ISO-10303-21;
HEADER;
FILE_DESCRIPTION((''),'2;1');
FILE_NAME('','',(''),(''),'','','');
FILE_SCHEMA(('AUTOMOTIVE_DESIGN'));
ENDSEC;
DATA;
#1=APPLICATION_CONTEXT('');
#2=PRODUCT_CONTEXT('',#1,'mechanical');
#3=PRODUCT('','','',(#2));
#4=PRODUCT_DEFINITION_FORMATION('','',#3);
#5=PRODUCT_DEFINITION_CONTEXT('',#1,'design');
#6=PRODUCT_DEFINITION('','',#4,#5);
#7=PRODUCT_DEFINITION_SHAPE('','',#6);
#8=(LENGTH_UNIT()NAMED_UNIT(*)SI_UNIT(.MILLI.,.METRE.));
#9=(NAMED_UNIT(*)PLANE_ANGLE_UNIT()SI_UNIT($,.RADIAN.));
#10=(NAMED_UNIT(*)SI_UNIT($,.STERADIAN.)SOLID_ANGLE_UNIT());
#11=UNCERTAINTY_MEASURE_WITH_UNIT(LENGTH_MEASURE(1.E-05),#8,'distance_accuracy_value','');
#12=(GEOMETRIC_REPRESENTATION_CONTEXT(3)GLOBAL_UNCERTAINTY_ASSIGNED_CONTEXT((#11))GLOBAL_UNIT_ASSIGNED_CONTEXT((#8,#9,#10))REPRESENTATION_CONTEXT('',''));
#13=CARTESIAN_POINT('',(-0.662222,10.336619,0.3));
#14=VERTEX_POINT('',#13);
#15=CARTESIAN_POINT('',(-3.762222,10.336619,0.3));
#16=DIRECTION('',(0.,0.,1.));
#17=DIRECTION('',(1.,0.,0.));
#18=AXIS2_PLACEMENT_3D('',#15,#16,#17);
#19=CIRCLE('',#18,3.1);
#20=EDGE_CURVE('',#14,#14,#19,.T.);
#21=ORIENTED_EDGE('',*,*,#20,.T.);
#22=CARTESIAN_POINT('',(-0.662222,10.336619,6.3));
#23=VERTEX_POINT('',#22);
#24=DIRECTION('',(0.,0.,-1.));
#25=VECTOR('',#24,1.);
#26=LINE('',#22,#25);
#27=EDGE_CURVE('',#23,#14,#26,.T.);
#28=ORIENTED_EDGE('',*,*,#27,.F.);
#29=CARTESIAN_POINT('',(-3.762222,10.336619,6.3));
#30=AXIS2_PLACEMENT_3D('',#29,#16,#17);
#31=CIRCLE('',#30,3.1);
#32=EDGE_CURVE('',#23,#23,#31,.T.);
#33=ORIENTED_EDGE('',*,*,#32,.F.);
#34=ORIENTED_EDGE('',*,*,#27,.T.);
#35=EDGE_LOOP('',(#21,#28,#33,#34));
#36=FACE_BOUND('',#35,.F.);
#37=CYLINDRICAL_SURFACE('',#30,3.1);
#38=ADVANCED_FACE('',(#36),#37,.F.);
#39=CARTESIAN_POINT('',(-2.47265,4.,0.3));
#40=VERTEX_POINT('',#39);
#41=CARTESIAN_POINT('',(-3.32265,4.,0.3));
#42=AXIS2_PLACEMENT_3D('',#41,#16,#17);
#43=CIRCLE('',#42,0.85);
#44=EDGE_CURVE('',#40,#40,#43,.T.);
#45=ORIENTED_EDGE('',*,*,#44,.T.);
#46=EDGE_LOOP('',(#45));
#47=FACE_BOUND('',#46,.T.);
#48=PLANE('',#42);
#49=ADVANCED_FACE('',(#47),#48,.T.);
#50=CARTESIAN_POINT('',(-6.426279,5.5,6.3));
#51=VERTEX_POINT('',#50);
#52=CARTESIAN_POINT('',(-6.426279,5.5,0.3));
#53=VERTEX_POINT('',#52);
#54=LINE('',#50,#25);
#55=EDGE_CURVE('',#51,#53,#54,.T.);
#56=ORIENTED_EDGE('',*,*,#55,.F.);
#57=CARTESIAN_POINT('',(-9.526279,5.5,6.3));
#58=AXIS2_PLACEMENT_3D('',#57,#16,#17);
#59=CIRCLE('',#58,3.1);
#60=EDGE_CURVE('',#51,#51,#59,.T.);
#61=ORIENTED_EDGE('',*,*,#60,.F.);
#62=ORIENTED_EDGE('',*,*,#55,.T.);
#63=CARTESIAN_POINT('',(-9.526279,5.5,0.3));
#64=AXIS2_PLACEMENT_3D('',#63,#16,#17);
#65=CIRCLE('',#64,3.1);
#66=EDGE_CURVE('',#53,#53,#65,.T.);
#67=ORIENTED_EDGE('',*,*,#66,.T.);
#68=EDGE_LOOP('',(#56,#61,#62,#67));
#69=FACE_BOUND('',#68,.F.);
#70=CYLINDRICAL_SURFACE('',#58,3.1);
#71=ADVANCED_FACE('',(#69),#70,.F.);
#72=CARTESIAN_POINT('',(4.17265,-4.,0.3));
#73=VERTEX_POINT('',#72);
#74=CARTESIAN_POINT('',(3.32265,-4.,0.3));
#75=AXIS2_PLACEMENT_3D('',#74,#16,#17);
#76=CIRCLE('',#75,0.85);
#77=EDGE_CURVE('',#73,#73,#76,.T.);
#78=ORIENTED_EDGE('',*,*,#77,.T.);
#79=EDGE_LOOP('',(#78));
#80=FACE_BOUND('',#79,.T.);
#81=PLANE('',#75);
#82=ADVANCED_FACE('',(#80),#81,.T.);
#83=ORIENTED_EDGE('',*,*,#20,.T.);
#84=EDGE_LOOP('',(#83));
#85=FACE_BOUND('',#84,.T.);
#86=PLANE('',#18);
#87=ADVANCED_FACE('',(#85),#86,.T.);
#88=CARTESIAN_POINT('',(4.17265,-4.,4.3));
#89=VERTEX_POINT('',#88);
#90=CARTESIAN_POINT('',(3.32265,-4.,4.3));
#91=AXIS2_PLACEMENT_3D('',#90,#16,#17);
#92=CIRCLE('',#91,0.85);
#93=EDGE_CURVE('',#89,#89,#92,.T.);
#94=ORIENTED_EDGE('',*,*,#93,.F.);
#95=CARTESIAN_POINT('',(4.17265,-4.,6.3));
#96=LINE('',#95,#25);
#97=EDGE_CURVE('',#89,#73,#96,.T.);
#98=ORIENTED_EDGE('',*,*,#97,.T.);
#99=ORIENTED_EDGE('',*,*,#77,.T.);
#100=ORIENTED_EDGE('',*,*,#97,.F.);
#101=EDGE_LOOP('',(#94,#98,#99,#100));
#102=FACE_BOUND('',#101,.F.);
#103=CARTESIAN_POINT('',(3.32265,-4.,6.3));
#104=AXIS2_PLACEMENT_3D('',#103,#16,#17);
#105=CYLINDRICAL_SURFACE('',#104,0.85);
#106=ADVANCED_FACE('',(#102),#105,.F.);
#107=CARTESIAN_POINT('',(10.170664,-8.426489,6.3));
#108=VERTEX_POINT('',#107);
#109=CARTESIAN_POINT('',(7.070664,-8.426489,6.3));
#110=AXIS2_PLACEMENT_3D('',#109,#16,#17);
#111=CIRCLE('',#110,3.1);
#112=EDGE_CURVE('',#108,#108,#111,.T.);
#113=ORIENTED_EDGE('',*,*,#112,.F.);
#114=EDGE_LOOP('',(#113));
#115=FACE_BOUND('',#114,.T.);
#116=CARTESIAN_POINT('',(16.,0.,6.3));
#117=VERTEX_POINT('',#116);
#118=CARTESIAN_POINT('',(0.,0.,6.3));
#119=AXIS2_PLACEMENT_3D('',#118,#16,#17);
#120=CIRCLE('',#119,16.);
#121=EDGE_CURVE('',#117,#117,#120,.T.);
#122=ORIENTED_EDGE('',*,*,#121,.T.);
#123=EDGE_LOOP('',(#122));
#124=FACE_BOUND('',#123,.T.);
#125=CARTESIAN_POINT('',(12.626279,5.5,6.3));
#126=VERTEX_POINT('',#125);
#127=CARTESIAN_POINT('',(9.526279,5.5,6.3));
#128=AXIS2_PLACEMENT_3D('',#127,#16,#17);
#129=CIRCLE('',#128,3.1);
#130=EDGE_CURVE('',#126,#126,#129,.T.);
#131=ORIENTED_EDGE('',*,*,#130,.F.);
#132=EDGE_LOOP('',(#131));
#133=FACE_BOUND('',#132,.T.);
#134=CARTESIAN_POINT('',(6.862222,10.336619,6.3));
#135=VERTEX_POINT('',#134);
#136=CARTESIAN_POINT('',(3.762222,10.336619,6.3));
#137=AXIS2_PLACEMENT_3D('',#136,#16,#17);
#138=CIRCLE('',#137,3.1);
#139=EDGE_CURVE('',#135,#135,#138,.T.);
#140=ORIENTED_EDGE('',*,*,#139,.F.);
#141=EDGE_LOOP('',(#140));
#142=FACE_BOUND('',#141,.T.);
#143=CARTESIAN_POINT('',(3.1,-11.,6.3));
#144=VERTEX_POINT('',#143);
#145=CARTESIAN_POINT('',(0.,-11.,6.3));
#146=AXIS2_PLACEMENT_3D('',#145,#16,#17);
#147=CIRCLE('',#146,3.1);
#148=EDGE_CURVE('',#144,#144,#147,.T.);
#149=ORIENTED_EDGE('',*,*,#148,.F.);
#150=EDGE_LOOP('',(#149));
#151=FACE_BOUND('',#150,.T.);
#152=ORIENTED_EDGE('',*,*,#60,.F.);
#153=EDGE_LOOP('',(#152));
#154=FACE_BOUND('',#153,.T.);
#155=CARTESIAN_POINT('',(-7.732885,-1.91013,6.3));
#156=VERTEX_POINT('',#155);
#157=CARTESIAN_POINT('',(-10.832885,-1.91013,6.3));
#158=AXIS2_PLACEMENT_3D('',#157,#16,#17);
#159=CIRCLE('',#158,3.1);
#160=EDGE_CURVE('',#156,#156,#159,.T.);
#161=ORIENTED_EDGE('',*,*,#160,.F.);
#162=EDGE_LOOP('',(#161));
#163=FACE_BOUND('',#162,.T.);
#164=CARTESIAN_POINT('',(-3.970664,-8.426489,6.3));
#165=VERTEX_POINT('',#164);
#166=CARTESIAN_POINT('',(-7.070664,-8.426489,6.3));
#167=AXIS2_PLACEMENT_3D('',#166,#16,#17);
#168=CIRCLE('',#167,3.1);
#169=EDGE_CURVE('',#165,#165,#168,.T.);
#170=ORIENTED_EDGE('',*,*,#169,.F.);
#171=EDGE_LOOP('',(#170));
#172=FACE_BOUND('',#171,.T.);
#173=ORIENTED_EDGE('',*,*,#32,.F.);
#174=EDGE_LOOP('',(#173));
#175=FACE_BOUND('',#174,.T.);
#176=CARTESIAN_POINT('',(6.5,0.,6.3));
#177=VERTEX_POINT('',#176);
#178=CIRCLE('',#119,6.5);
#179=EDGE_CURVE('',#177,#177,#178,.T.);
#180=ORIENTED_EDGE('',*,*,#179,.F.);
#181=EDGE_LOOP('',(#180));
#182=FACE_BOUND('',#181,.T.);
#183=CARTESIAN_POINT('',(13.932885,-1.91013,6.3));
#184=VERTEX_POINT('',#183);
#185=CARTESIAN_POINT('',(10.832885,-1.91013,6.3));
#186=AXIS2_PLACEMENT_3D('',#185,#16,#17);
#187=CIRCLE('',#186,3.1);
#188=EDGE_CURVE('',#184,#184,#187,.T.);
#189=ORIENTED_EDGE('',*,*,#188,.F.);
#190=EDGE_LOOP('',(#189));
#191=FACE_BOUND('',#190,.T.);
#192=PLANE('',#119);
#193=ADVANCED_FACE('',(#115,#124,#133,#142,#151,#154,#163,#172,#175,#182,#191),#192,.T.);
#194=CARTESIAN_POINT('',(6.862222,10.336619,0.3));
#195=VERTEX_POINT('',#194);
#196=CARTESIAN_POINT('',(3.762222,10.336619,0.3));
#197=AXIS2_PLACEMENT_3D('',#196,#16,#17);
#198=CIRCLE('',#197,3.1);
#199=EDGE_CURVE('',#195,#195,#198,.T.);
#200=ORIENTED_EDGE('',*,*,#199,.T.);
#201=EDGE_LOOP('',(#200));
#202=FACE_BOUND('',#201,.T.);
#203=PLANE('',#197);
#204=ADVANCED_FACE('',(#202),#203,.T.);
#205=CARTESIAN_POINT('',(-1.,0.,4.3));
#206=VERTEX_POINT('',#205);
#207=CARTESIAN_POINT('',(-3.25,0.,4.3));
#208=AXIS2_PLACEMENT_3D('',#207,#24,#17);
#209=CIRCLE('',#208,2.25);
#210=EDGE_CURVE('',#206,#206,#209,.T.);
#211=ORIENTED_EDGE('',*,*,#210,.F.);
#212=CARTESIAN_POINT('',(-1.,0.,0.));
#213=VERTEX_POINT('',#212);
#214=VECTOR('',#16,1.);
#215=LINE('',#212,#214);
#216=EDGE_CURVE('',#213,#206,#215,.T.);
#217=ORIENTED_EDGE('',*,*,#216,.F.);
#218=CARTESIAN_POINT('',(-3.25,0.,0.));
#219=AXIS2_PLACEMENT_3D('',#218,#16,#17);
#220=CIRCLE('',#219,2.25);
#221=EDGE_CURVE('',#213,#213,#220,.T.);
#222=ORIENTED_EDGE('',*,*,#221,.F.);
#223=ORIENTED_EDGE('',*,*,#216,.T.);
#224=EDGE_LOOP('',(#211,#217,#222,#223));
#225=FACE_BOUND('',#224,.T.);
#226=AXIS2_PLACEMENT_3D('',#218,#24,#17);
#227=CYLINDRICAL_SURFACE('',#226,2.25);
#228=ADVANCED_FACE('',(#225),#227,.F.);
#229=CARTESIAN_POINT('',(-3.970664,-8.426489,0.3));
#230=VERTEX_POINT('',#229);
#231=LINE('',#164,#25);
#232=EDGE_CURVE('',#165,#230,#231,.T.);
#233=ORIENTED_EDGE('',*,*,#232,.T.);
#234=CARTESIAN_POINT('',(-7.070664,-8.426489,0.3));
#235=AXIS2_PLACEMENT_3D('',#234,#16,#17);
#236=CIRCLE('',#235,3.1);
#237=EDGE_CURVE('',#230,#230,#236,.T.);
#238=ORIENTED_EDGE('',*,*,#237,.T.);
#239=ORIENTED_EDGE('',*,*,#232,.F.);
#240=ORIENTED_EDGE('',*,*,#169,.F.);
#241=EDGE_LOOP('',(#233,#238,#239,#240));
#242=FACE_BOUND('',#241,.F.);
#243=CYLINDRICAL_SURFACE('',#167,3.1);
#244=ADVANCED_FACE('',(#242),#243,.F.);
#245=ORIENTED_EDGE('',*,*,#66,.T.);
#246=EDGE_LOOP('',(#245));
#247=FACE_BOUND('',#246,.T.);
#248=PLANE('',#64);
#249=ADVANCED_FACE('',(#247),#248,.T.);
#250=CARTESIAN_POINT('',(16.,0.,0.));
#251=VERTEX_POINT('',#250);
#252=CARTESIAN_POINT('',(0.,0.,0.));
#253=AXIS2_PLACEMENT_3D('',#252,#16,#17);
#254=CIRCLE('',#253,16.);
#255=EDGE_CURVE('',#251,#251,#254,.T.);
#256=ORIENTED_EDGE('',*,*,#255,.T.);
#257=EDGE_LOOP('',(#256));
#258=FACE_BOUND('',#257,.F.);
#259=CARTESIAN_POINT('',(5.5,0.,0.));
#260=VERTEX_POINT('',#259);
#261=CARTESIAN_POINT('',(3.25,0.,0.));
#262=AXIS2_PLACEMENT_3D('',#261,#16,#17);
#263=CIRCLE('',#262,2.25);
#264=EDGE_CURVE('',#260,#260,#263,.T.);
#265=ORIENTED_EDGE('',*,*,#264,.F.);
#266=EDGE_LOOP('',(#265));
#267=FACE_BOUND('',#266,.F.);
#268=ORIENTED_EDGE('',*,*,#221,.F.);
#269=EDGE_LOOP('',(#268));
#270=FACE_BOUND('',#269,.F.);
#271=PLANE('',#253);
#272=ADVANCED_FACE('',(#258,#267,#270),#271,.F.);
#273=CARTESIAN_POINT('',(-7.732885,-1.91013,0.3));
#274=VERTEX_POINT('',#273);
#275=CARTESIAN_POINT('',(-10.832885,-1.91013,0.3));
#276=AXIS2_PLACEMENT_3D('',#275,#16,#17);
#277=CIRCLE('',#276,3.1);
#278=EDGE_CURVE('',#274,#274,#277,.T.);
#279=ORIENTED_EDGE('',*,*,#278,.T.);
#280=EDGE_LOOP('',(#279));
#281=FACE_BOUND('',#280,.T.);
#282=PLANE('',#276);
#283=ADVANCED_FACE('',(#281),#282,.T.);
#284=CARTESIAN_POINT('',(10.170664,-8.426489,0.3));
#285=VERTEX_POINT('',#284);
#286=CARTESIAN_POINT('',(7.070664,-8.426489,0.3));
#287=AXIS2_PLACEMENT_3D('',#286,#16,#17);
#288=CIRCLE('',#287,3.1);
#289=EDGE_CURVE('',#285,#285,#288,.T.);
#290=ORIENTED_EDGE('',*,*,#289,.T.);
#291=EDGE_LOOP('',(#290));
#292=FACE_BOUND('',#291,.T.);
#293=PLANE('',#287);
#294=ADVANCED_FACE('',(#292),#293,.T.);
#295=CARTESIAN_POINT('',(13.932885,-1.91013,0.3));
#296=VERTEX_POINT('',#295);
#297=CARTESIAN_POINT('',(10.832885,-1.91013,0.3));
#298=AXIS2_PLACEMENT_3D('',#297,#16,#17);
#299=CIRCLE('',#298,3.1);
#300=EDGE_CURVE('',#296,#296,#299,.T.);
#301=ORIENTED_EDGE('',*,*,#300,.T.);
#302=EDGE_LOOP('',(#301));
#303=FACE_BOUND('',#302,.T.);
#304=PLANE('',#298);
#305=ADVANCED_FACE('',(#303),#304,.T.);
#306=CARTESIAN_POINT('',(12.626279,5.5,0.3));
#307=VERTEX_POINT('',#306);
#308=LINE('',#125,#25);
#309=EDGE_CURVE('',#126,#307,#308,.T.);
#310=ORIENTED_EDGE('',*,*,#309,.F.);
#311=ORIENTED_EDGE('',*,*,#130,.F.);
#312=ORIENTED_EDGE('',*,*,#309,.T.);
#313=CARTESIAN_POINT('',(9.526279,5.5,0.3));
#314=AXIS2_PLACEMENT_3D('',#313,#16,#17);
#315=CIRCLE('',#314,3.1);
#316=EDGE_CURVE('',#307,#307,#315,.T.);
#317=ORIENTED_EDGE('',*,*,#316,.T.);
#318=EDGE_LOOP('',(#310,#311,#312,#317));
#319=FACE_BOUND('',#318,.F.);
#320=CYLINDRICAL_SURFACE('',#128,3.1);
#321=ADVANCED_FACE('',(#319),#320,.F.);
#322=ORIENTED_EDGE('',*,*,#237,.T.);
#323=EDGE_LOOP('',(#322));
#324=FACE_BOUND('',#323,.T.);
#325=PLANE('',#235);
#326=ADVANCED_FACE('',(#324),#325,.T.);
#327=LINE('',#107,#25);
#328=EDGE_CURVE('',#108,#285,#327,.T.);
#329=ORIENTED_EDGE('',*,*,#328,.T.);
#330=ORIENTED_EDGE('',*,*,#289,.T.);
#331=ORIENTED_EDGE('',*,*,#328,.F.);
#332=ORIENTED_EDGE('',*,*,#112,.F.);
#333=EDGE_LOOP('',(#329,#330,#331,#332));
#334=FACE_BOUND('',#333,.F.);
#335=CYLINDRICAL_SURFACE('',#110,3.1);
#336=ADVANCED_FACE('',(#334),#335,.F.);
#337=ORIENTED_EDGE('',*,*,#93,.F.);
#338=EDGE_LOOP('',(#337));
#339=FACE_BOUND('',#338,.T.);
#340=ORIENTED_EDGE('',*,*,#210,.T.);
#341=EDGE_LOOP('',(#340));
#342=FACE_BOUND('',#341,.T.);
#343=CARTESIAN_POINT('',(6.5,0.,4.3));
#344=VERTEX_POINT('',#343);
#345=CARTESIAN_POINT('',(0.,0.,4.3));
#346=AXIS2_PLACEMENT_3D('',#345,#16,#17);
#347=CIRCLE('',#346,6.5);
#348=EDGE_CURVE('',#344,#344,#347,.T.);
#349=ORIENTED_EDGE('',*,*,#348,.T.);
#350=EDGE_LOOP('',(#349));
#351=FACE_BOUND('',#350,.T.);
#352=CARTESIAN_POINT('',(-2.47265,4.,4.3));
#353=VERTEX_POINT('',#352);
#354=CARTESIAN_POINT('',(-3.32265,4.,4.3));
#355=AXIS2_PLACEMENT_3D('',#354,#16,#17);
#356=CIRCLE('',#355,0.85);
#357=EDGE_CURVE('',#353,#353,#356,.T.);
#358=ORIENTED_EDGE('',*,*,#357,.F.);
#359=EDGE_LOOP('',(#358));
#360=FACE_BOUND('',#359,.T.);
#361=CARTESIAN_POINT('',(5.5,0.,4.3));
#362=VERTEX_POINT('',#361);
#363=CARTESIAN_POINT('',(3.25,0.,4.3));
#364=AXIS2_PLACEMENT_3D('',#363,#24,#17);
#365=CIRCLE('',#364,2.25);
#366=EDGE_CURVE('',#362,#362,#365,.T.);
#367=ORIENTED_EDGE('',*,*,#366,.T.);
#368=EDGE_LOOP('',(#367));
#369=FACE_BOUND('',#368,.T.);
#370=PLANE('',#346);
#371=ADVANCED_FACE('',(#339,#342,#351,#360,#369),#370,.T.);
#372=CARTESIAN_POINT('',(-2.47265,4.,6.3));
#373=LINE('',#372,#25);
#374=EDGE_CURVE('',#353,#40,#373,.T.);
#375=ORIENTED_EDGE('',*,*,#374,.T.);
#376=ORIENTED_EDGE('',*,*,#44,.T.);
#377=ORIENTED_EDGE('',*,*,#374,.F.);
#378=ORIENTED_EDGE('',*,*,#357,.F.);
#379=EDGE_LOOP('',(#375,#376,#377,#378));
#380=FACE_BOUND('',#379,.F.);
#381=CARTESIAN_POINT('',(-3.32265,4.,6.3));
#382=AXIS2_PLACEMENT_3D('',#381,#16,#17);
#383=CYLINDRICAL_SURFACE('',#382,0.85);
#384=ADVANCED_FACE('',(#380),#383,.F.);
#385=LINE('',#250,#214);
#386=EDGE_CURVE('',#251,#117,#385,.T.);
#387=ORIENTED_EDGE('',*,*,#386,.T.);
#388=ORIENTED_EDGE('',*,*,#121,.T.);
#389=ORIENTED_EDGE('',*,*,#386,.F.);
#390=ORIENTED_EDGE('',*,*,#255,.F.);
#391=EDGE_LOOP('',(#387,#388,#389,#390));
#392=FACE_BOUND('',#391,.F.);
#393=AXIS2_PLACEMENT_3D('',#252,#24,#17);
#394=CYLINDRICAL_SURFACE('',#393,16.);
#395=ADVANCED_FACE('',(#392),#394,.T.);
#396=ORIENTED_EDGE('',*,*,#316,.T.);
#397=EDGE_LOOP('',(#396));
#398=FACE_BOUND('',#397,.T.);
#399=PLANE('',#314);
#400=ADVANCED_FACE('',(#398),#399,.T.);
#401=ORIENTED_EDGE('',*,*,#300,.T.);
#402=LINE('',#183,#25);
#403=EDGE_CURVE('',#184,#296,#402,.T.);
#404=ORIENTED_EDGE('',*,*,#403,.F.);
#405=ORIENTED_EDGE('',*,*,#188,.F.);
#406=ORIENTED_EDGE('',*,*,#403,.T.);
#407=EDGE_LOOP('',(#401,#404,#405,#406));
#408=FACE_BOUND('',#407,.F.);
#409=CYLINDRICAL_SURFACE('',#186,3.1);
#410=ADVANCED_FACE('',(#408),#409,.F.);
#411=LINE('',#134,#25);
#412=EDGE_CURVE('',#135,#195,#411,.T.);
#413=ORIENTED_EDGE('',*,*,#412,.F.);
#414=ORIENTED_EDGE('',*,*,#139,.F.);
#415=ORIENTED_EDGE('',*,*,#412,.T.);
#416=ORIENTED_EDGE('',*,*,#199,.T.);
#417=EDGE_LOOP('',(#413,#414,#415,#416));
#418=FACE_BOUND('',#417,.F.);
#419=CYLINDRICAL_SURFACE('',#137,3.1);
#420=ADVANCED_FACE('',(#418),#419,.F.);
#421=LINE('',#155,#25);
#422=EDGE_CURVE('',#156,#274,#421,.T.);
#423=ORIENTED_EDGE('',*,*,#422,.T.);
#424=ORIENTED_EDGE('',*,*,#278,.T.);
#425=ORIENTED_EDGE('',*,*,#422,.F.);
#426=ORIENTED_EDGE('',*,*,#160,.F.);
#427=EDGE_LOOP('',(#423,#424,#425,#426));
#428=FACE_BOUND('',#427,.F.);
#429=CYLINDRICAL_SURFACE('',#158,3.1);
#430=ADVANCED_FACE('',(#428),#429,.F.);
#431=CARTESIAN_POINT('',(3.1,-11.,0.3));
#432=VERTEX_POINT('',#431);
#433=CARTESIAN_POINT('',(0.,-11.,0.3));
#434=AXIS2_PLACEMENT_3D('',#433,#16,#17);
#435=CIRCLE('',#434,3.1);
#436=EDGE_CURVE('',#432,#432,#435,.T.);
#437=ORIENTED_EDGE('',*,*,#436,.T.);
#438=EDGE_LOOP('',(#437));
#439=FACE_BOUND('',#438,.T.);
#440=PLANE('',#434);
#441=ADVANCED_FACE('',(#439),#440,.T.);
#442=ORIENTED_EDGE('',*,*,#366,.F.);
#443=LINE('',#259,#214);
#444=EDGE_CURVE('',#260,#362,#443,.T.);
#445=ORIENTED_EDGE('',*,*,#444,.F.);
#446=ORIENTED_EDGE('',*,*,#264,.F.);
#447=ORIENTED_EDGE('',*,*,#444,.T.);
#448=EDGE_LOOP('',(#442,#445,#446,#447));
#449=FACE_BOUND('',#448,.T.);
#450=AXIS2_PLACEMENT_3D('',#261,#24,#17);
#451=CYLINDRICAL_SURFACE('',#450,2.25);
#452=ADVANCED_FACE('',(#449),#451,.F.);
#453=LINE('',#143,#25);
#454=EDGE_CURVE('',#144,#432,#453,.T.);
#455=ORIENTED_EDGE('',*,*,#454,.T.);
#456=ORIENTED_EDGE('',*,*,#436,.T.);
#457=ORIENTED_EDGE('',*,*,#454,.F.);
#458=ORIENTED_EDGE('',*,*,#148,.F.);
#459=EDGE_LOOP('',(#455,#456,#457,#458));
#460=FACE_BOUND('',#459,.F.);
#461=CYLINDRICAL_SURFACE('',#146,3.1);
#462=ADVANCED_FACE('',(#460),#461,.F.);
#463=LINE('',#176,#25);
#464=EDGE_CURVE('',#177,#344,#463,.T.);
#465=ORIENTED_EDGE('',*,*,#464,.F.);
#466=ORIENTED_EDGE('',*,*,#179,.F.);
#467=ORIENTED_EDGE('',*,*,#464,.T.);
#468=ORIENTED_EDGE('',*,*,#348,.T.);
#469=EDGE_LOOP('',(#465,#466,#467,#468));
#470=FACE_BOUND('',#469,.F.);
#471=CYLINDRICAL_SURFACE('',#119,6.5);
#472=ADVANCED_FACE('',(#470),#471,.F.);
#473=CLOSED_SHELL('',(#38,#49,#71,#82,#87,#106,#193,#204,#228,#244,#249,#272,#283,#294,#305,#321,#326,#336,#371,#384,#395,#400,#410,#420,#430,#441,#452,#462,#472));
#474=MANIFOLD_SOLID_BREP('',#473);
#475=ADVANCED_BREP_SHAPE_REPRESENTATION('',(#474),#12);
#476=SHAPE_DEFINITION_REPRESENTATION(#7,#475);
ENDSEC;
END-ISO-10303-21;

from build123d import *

# Parameters (mm, degrees)
SKETCH_R        = 16
SKETCH_R_2      = 2.25
PAD_DEPTH       = 6.3
SKETCH003_R     = 3.1
POCKET_DEPTH    = 6
SKETCH004_R     = 6.5
POCKET001_DEPTH = 2
SKETCH005_R     = 0.85
POCKET002_DEPTH = 6


with BuildPart() as part:
    # Sketch → Pad (new body)
    with BuildSketch(Plane.XY):
        Circle(SKETCH_R)
        with Locations((-3.25, 0)):
            Circle(SKETCH_R_2, mode=Mode.SUBTRACT)
        with Locations((3.25, 0)):
            Circle(SKETCH_R_2, mode=Mode.SUBTRACT)
    extrude(amount=PAD_DEPTH)

    # Sketch003 (on Face5 of Pad) → Pocket (cut)
    with BuildSketch(Plane.XY.offset(6.3)):
        with Locations((9.526279, 5.5)):
            Circle(SKETCH003_R)
        with Locations((3.762222, 10.336619)):
            Circle(SKETCH003_R)
        with Locations((-3.762222, 10.336619)):
            Circle(SKETCH003_R)
        with Locations((-9.526279, 5.5)):
            Circle(SKETCH003_R)
        with Locations((-10.832885, -1.91013)):
            Circle(SKETCH003_R)
        with Locations((-7.070664, -8.426489)):
            Circle(SKETCH003_R)
        with Locations((0, -11)):
            Circle(SKETCH003_R)
        with Locations((7.070664, -8.426489)):
            Circle(SKETCH003_R)
        with Locations((10.832885, -1.91013)):
            Circle(SKETCH003_R)
    extrude(amount=-POCKET_DEPTH, mode=Mode.SUBTRACT)

    # Sketch004 (on Face3 of Pocket) → Pocket001 (cut)
    with BuildSketch(Plane.XY.offset(6.3)):
        Circle(SKETCH004_R)
    extrude(amount=-POCKET001_DEPTH, mode=Mode.SUBTRACT)

    # Sketch005 (on Face3 of Pocket001) → Pocket002 (cut)
    with BuildSketch(Plane.XY.offset(6.3)):
        with Locations((3.32265, -4)):
            Circle(SKETCH005_R)
        with Locations((-3.32265, 4)):
            Circle(SKETCH005_R)
    extrude(amount=-POCKET002_DEPTH, mode=Mode.SUBTRACT)


solid = part.part
